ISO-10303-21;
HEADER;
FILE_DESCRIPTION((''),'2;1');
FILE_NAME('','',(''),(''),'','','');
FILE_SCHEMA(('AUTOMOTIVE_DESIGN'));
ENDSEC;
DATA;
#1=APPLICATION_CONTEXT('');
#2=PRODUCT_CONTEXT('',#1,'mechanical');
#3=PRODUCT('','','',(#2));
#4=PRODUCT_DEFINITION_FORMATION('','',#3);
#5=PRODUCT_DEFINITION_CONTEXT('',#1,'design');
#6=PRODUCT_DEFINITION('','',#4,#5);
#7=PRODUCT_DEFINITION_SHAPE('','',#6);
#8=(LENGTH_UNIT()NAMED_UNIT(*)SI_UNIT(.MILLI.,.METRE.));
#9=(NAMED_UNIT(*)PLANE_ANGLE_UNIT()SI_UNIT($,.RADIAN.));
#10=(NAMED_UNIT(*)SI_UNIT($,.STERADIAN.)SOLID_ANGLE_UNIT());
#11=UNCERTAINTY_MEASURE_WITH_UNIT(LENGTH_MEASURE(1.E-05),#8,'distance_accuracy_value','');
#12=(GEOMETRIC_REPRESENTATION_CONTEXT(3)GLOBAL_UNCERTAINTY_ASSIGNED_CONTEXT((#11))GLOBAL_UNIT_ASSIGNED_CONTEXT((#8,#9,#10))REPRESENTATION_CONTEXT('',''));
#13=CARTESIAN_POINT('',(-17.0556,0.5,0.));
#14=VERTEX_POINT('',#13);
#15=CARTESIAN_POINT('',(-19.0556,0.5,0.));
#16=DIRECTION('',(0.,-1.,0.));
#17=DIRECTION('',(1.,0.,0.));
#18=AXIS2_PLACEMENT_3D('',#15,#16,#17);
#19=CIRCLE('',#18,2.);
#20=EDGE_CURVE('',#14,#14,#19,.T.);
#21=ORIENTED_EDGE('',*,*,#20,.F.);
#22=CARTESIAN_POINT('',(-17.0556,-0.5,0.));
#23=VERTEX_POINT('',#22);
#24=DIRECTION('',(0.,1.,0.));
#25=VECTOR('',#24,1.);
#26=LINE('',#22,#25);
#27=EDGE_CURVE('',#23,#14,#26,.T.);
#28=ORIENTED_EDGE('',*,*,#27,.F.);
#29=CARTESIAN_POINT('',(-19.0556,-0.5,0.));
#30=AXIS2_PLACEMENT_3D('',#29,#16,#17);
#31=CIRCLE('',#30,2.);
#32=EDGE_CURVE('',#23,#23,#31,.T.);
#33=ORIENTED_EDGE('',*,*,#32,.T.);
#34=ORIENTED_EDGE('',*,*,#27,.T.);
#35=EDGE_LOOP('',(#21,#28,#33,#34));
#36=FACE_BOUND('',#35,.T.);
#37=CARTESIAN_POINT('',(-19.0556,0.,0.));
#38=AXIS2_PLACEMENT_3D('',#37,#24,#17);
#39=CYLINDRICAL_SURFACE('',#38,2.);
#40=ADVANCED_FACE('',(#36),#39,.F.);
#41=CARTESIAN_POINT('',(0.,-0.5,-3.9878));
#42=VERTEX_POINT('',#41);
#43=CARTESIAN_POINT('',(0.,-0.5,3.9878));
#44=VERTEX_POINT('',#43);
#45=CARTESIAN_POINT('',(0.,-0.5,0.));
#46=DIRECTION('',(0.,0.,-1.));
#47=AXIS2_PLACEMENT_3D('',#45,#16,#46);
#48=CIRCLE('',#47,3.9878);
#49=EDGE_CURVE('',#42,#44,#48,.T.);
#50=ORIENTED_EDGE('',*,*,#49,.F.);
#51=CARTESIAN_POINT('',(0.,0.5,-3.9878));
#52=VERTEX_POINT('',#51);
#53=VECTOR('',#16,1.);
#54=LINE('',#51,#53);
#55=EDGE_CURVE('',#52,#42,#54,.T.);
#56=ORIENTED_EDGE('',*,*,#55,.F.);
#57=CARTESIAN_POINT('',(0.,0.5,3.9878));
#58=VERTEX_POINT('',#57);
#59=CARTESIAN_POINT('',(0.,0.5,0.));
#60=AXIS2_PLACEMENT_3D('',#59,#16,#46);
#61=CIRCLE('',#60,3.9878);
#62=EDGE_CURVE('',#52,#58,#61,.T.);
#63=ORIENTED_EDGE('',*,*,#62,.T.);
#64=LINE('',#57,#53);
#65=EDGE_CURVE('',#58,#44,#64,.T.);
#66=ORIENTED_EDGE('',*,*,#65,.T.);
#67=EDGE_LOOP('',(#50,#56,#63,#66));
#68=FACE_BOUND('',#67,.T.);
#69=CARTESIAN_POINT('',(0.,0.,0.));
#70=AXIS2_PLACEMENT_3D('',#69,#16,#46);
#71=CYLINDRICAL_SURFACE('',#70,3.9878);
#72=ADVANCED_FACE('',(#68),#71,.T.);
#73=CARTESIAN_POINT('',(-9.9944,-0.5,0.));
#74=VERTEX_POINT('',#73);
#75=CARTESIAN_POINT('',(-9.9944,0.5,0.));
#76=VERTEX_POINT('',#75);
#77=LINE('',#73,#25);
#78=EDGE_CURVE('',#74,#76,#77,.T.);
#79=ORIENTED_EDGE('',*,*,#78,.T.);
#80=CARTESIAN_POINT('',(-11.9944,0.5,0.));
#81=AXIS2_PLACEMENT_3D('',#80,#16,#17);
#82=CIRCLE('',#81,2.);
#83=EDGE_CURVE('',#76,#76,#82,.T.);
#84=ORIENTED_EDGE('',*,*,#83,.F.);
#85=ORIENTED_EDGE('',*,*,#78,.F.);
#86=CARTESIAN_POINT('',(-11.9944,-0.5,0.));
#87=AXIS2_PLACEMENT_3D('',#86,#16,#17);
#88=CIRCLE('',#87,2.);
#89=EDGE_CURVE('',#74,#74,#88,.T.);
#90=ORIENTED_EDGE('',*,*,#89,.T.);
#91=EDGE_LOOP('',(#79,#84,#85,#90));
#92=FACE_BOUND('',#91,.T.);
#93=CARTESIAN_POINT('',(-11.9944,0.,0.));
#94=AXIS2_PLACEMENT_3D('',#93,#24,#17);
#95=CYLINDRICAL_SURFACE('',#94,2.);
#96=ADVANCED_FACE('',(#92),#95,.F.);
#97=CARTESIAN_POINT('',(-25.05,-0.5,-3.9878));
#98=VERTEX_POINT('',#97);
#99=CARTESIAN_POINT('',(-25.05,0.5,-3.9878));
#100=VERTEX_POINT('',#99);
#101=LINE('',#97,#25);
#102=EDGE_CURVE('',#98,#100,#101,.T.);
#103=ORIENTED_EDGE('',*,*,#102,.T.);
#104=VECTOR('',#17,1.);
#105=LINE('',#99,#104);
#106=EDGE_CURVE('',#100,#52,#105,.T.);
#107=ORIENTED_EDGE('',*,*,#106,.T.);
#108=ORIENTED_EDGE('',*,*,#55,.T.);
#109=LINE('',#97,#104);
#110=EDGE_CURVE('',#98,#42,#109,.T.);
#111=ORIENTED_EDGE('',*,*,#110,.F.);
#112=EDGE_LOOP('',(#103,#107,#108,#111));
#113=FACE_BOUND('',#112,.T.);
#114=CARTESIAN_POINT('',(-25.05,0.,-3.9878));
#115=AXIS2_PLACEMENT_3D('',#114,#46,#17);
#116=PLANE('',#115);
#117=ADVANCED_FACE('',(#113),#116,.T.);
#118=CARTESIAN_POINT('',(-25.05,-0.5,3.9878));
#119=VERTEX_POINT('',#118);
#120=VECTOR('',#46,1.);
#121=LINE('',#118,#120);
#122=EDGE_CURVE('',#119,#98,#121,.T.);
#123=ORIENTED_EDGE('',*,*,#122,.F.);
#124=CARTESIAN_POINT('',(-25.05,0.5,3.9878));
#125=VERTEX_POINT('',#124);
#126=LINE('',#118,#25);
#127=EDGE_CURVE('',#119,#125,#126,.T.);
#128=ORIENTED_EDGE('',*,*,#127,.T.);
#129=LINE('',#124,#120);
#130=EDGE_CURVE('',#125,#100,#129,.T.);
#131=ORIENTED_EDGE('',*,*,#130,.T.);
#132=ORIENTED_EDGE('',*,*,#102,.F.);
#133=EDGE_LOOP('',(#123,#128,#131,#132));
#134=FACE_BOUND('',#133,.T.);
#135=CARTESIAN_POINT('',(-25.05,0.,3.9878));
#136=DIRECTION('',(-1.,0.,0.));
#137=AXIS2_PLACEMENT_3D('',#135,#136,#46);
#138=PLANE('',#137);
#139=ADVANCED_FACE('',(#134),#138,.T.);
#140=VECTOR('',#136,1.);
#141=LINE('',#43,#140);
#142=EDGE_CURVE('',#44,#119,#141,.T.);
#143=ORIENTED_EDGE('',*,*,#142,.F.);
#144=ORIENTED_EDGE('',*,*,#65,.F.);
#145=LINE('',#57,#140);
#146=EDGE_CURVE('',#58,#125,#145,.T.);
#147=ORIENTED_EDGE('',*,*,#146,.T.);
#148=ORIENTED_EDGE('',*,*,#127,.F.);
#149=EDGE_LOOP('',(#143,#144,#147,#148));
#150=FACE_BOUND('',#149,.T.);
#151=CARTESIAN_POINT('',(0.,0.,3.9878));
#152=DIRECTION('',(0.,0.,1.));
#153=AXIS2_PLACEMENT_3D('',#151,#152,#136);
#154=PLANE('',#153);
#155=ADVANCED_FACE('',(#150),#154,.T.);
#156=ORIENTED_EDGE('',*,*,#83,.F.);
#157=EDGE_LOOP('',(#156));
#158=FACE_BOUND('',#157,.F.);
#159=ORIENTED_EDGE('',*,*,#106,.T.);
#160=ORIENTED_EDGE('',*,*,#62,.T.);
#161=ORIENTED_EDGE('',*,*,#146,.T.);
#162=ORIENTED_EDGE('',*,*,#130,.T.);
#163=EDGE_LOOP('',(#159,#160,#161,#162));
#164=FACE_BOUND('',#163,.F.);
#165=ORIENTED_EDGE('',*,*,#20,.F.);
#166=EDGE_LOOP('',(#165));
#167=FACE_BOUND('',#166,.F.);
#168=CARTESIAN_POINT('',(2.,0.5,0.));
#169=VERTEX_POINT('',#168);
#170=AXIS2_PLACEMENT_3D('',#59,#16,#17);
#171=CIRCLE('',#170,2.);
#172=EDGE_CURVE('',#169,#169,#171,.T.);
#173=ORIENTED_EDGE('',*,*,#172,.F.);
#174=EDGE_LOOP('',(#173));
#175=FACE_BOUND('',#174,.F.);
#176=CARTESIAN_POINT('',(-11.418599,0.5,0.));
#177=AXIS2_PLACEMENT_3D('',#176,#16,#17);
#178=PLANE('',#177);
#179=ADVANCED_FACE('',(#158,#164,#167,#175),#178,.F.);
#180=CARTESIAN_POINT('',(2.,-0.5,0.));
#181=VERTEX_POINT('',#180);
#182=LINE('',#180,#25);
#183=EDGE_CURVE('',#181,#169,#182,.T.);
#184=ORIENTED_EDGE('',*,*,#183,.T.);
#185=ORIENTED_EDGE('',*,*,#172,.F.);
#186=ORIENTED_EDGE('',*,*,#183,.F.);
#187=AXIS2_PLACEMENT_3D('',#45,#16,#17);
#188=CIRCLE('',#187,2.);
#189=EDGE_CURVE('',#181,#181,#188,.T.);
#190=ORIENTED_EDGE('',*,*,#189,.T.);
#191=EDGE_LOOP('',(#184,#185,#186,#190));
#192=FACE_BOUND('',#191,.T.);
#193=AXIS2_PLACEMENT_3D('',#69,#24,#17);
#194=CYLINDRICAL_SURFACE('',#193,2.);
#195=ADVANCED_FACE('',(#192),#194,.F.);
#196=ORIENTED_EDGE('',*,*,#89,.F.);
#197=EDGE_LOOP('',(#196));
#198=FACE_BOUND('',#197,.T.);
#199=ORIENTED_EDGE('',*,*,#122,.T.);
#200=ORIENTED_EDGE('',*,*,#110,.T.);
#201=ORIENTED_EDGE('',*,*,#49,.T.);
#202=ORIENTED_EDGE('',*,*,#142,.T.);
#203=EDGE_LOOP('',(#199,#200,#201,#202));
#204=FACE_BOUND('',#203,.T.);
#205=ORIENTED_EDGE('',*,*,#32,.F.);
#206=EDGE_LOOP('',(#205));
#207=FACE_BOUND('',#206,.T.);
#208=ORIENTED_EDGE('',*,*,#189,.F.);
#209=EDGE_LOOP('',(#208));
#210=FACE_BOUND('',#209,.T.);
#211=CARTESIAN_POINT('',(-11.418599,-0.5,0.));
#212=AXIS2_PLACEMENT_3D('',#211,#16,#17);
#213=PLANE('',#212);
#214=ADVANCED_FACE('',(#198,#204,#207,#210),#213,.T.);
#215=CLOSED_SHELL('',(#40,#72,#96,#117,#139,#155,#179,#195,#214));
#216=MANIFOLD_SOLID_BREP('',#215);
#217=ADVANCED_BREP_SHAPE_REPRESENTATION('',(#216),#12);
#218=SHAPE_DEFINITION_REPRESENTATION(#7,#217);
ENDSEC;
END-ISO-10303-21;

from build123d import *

# Parameters (mm, degrees)
F0_R     = 2
F1_DEPTH = 0.5


with BuildPart() as f1:
    # F0 (on Front) → F1 (new body, symmetric)
    with BuildSketch(Plane.XZ):
        with BuildLine():
            Line((-25.05, -3.9878), (0, -3.9878))
            ThreePointArc((0, -3.9878), (3.9878, 0), (0, 3.9878))
            Line((0, 3.9878), (-25.05, 3.9878))
            Line((-25.05, 3.9878), (-25.05, -3.9878))
        make_face()
        with Locations((-19.0556, 0)):
            Circle(F0_R, mode=Mode.SUBTRACT)
        with Locations((-11.9944, 0)):
            Circle(F0_R, mode=Mode.SUBTRACT)
        Circle(F0_R, mode=Mode.SUBTRACT)
    extrude(amount=F1_DEPTH, both=True)


solid = f1.part
